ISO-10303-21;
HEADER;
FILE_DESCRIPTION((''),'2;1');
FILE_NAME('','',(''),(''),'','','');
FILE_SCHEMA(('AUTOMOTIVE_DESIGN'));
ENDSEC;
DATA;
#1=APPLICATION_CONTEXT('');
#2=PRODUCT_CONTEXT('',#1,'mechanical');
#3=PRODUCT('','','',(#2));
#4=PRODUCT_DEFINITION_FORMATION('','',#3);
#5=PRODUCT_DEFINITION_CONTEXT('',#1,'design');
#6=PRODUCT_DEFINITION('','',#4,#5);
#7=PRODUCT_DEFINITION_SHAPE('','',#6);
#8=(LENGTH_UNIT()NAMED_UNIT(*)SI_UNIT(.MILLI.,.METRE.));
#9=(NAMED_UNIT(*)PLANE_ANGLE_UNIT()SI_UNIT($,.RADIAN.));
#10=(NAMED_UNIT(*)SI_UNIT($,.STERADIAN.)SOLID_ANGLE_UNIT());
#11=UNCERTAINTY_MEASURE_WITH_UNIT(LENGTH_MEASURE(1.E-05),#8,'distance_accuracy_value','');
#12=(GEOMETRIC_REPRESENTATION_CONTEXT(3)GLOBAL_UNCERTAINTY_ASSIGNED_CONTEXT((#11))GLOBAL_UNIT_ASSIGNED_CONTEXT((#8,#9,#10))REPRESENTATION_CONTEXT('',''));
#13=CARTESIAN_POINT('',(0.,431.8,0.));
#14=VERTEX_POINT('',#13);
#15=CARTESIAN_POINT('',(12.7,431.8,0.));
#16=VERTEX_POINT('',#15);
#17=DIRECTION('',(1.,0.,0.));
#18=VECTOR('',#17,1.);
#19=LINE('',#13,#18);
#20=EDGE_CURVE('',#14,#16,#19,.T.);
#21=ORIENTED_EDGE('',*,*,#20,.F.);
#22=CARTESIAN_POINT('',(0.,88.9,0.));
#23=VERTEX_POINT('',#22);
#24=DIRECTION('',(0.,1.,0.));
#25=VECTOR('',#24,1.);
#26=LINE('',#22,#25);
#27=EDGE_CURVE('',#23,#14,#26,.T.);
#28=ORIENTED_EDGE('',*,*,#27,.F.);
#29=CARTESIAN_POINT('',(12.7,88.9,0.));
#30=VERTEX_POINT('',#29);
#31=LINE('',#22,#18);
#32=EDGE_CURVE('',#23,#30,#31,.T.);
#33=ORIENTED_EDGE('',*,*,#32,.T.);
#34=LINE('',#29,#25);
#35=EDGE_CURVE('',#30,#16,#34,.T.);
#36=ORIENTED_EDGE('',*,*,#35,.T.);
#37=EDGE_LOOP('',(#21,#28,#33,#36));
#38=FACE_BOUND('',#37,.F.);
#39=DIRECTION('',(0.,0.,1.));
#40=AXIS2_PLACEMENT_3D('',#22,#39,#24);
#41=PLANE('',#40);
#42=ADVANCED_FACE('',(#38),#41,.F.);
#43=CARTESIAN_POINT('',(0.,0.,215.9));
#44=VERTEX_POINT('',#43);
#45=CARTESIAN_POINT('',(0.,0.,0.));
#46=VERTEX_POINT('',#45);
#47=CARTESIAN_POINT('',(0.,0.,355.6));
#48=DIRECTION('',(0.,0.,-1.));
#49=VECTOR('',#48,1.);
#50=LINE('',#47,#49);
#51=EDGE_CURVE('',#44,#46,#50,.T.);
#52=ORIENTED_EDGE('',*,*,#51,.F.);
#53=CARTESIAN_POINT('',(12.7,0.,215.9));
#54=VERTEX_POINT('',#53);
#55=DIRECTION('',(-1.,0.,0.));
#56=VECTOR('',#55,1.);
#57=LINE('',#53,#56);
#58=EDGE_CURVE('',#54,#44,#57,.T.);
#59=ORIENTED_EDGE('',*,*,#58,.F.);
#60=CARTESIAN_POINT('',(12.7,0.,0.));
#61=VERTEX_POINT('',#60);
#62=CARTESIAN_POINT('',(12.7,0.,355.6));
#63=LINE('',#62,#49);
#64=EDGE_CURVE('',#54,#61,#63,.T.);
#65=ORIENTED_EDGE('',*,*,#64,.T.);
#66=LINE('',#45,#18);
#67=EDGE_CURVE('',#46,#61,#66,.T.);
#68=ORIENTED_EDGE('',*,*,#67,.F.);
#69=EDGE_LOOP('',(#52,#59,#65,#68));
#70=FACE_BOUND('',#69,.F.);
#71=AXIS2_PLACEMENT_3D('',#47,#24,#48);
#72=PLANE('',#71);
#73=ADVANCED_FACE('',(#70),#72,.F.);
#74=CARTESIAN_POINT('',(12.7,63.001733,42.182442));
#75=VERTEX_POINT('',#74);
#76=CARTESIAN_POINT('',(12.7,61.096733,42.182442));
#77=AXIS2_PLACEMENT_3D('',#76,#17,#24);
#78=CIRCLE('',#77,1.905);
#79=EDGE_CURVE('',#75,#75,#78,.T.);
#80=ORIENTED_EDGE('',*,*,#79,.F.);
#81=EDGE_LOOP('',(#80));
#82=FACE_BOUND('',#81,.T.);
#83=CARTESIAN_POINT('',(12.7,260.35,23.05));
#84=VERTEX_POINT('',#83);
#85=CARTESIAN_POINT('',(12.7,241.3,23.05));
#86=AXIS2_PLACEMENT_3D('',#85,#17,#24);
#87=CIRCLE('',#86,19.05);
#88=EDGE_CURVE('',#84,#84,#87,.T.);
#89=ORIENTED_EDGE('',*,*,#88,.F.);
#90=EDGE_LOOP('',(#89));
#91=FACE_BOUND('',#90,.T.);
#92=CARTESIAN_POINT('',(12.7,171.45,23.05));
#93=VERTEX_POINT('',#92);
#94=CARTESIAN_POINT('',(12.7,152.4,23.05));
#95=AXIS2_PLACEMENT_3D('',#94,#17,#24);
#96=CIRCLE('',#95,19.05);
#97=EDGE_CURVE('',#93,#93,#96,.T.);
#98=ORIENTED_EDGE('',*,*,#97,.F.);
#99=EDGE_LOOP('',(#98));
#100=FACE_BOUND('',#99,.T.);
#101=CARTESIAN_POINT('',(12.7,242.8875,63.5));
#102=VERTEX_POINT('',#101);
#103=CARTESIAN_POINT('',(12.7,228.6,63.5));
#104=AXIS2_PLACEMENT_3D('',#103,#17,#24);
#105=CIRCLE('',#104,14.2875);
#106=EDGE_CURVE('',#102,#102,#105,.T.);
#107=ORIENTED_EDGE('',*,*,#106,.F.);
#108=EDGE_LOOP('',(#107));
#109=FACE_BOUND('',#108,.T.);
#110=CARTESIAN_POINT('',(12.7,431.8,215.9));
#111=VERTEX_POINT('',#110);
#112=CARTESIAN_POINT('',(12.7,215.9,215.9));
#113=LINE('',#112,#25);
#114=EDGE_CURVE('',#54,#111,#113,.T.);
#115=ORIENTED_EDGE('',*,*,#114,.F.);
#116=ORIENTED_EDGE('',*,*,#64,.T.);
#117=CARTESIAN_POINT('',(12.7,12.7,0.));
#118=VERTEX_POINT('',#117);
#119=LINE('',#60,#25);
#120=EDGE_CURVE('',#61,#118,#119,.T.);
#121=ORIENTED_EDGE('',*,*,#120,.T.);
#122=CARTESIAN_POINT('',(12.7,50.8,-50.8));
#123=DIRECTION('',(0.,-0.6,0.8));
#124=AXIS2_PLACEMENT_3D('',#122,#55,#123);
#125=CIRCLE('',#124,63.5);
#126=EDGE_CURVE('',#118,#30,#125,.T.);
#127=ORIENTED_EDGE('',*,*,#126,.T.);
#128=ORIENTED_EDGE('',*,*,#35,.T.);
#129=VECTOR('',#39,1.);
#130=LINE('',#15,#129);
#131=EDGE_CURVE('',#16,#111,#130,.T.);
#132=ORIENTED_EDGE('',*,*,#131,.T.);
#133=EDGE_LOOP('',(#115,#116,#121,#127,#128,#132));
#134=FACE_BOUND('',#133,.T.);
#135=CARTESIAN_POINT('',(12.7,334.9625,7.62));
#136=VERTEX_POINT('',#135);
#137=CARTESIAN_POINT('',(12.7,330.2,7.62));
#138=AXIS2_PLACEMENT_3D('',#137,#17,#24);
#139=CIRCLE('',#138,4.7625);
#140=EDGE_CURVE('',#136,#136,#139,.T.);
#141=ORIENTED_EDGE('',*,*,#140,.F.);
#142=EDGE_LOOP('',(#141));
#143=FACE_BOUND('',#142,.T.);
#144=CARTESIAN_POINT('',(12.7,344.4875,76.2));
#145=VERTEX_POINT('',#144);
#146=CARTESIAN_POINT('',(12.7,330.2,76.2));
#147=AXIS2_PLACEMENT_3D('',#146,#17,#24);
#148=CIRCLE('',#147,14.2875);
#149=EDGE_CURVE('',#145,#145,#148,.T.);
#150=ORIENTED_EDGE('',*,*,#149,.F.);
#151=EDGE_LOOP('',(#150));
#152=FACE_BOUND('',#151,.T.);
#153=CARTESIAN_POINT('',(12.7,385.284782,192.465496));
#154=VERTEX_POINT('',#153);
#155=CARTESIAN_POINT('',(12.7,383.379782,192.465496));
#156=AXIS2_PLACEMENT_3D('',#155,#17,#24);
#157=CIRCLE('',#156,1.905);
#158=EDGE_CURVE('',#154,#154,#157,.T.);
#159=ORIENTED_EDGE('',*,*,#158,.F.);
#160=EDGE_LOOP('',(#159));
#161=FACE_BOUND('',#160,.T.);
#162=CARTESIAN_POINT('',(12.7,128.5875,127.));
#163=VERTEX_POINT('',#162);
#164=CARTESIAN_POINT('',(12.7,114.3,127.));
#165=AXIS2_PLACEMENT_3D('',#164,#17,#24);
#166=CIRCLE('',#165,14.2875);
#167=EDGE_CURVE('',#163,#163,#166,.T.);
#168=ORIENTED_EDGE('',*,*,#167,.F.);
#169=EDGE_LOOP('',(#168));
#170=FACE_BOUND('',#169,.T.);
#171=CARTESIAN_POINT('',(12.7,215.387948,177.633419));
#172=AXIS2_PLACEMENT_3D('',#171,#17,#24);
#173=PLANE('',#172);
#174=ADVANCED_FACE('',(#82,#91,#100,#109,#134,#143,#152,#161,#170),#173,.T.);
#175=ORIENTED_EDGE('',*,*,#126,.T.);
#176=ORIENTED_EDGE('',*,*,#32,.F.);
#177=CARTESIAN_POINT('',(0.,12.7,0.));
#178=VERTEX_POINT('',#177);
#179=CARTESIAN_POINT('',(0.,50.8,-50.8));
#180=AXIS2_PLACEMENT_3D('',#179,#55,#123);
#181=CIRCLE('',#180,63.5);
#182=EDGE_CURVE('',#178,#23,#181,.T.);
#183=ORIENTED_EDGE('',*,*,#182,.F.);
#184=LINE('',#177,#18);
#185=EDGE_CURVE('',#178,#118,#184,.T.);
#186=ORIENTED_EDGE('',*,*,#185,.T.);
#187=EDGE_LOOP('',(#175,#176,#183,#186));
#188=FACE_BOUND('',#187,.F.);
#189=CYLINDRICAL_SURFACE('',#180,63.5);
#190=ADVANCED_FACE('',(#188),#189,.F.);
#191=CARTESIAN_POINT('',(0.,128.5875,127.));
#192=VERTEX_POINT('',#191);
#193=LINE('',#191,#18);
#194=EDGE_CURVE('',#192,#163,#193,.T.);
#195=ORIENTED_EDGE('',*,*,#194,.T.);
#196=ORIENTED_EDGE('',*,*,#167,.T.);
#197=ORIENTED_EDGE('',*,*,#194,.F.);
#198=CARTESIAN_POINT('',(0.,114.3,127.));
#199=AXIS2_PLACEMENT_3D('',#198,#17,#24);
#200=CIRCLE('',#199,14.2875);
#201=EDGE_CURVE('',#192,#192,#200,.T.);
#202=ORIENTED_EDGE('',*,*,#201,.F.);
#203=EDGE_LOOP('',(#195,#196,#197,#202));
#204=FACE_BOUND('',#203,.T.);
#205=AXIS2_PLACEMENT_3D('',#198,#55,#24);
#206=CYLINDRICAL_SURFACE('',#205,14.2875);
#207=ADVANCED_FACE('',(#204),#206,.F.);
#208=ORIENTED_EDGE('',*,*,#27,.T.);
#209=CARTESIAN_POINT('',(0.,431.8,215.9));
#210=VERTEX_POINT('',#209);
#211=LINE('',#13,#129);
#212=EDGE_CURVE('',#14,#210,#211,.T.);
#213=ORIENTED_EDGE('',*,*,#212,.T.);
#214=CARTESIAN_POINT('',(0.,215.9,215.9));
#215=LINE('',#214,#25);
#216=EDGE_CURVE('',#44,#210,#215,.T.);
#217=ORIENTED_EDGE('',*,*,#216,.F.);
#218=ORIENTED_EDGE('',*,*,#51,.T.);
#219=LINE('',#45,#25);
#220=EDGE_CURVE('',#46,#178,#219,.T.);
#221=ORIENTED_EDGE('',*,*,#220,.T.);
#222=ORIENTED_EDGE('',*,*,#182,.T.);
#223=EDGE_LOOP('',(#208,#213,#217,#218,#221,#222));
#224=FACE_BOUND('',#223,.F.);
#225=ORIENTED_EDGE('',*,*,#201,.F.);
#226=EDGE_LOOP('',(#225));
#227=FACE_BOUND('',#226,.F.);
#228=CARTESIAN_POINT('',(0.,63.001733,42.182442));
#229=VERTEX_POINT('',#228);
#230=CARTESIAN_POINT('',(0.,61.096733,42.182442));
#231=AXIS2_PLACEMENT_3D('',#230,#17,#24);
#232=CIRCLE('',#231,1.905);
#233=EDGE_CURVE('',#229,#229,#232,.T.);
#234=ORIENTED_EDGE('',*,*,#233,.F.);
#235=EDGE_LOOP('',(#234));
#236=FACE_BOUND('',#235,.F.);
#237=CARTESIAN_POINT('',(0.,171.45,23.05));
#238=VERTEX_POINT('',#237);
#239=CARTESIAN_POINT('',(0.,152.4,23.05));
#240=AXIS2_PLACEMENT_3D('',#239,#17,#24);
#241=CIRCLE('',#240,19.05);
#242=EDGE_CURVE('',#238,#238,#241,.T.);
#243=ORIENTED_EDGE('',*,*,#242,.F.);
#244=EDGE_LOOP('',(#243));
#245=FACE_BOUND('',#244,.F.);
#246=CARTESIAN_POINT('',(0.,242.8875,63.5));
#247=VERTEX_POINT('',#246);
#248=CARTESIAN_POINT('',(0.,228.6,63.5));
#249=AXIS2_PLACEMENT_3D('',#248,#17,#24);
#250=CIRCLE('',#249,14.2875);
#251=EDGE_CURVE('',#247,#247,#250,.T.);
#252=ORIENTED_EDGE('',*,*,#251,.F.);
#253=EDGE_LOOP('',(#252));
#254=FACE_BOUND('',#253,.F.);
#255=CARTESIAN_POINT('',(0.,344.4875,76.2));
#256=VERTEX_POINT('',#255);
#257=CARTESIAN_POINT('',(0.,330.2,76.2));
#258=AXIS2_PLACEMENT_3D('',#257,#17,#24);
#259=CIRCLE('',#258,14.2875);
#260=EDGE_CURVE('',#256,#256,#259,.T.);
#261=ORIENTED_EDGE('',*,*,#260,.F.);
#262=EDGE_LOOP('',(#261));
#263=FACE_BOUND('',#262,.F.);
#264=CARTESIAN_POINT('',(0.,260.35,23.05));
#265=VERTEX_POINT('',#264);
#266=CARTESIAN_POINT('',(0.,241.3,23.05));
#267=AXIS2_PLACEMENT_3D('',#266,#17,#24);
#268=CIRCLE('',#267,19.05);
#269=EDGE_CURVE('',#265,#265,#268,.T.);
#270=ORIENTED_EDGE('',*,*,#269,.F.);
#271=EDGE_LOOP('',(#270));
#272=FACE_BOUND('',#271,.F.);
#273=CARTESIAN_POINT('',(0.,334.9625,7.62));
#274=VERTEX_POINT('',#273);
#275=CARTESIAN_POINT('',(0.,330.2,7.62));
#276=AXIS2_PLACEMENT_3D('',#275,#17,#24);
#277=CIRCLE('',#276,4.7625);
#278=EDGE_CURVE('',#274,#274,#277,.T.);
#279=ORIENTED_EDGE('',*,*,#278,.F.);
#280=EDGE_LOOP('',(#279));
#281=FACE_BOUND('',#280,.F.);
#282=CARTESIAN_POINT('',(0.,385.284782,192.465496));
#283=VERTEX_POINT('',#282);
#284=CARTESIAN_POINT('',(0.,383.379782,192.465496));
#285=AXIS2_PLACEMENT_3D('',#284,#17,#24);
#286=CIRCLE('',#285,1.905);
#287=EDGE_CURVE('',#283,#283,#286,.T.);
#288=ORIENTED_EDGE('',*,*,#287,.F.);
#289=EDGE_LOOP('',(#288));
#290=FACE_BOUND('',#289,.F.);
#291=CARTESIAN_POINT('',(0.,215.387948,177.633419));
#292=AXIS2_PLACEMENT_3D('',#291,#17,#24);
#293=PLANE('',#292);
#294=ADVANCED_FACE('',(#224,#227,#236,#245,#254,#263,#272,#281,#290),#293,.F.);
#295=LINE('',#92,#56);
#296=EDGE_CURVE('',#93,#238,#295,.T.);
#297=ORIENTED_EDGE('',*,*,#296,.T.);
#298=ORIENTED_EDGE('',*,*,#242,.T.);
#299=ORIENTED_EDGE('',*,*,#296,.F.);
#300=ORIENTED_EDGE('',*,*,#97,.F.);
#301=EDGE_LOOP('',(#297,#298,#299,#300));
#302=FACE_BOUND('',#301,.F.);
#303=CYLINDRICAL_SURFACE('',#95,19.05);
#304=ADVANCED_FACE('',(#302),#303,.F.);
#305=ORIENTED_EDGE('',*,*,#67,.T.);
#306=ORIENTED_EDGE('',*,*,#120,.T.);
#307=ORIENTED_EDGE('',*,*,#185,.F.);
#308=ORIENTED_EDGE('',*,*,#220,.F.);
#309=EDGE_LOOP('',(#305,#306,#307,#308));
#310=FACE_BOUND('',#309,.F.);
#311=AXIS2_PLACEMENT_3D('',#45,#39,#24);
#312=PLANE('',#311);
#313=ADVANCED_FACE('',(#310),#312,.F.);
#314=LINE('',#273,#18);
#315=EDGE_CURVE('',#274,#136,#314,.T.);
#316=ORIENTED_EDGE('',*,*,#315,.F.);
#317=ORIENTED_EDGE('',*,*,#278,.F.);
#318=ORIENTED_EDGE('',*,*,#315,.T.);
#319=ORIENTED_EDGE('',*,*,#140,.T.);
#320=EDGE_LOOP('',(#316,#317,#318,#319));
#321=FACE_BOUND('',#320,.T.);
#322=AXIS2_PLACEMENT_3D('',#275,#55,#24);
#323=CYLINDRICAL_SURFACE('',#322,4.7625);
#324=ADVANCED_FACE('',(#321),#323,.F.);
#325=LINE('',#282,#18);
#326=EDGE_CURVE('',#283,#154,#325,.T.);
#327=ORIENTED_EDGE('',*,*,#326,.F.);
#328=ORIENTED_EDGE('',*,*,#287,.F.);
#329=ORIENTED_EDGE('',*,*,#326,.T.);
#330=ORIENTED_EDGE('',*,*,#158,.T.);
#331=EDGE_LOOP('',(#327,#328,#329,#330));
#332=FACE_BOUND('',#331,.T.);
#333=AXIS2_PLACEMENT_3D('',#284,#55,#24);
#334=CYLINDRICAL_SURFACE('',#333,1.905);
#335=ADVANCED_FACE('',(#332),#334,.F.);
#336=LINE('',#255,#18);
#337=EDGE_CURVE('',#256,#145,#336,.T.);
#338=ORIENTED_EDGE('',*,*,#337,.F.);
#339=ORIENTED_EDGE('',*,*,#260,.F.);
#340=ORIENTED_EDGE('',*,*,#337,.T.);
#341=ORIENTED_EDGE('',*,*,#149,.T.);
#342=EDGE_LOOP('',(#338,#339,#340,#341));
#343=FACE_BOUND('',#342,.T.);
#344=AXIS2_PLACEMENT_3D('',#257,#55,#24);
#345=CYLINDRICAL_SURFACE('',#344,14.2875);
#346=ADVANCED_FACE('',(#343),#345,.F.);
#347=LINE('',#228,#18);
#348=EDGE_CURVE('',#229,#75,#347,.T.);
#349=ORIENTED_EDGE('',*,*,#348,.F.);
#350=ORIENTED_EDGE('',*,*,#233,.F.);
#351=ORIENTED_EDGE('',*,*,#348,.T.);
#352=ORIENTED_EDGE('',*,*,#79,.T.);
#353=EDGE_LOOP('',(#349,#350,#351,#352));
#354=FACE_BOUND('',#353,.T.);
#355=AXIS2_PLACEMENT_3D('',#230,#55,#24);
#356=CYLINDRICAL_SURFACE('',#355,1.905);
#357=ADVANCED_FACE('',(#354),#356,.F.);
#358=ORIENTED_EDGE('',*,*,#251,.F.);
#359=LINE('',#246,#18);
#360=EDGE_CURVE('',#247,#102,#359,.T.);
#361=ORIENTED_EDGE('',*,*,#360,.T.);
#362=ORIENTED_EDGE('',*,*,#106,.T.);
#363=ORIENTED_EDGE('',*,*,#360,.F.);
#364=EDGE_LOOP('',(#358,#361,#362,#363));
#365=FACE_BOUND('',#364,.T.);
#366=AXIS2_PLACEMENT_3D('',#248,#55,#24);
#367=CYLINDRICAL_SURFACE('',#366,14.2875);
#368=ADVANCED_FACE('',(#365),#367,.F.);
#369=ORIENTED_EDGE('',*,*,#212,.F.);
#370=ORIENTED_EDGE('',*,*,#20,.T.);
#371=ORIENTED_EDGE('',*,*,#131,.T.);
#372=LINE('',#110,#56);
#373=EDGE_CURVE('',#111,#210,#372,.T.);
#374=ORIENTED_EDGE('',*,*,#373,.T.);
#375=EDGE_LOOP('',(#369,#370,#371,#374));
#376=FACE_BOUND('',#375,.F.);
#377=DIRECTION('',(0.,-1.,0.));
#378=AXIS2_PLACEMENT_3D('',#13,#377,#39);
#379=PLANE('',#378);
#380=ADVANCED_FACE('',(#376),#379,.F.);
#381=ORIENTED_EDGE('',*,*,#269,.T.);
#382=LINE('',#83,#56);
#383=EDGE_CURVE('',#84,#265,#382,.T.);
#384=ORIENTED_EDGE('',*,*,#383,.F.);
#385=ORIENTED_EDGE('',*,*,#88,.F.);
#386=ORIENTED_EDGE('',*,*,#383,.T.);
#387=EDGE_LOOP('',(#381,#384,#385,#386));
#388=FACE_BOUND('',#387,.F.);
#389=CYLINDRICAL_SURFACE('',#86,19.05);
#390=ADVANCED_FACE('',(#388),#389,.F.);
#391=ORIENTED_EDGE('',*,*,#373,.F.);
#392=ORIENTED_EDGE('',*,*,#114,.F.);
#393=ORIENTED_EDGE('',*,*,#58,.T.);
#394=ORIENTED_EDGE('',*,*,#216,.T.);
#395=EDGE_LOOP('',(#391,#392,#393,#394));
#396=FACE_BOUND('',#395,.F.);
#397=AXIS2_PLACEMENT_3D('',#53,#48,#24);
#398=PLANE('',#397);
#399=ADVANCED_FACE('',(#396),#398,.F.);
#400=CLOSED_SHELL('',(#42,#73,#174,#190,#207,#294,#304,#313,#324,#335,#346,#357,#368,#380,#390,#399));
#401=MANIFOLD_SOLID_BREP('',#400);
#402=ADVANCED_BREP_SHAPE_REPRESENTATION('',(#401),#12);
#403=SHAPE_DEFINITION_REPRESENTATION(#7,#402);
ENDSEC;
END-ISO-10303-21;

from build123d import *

# Parameters (mm, degrees)
F0_R     = 1.905
F0_R_2   = 14.2875
F0_R_3   = 4.7625
F1_DEPTH = 12.7
F2_R     = 19.05
F3_DEPTH = 25.4
F4_W     = 431.8
F4_H     = 139.7
F5_DEPTH = 12.7


with BuildPart() as f1:
    # F0 (on Right) → F1 (new body)
    with BuildSketch(Plane.YZ):
        with BuildLine():
            Line((0, 355.6), (0, 0))
            Line((0, 0), (12.7, 0))
            ThreePointArc((12.7, 0), (50.8, 12.7), (88.9, 0))
            Line((88.9, 0), (431.8, 0))
            Line((431.8, 0), (431.8, 355.6))
            Line((431.8, 355.6), (0, 355.6))
        make_face()
        with Locations((61.096733, 42.182442)):
            Circle(F0_R, mode=Mode.SUBTRACT)
        with Locations((228.6, 63.5)):
            Circle(F0_R_2, mode=Mode.SUBTRACT)
        with Locations((330.2, 7.62)):
            Circle(F0_R_3, mode=Mode.SUBTRACT)
        with Locations((330.2, 76.2)):
            Circle(F0_R_2, mode=Mode.SUBTRACT)
        with Locations((114.3, 127)):
            Circle(F0_R_2, mode=Mode.SUBTRACT)
        with Locations((383.379782, 192.465496)):
            Circle(F0_R, mode=Mode.SUBTRACT)
    extrude(amount=F1_DEPTH)

    # F2 (on face) → F3 (cut)
    with BuildSketch(Plane.YZ.offset(12.7)):
        with Locations((152.4, 23.05)):
            Circle(F2_R)
        with Locations((241.3, 23.05)):
            Circle(F2_R)
    extrude(amount=-F3_DEPTH, mode=Mode.SUBTRACT)

    # F4 (on face) → F5 (cut, through all)
    with BuildSketch(Plane.YZ.offset(12.7)):
        with Locations((215.9, 285.75)):
            Rectangle(F4_W, F4_H)
    extrude(amount=-F5_DEPTH, mode=Mode.SUBTRACT)


solid = f1.part
